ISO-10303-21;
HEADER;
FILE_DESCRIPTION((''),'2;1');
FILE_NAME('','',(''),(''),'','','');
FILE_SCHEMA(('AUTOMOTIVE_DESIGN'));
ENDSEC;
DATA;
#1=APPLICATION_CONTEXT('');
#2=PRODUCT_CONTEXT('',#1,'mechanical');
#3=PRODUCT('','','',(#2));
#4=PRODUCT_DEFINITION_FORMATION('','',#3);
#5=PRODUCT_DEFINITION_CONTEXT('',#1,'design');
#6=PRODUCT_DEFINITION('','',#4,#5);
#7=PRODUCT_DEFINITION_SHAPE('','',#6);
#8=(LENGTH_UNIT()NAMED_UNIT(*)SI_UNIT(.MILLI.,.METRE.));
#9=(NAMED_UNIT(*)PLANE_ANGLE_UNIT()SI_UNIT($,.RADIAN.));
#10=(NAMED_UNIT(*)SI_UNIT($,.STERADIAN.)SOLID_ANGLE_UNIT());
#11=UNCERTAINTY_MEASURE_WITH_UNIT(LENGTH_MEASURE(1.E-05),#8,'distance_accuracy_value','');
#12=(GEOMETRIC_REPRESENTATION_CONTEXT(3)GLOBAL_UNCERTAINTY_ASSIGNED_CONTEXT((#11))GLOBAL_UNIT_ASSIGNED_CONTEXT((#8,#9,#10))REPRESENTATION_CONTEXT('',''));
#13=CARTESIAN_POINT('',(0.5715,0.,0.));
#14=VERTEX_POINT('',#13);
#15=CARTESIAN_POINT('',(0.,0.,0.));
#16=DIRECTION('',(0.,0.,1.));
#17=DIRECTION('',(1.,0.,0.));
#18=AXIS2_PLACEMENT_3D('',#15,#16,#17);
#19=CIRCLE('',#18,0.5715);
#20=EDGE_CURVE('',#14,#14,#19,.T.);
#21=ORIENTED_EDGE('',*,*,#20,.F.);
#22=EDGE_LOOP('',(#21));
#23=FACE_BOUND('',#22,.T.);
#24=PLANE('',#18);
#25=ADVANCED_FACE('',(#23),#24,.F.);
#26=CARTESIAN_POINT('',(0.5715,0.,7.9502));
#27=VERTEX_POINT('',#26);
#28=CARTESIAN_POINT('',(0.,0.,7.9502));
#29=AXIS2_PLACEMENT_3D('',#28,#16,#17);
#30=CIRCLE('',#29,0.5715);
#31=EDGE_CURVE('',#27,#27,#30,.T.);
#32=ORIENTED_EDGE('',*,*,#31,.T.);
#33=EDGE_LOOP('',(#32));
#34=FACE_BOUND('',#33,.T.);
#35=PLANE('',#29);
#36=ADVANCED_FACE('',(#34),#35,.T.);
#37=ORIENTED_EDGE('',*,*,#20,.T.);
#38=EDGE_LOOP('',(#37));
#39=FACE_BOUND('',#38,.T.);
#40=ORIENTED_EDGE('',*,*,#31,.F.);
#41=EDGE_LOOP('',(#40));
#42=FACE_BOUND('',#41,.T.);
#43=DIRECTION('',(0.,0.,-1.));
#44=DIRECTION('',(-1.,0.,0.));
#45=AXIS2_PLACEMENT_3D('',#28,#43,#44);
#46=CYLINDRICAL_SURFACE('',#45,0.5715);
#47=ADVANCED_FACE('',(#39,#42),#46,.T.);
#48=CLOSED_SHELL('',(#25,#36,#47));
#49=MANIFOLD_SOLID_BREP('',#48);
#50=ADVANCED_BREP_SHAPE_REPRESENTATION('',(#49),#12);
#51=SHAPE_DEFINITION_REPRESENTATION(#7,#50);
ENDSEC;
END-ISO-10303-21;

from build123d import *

# Parameters (mm, degrees)
SKETCH1_R           = 0.5715
BOSS_EXTRUDE1_DEPTH = 7.9502


with BuildPart() as part:
    # Sketch1 → Boss-Extrude1 (new body)
    with BuildSketch(Plane.XY):
        Circle(SKETCH1_R)
    extrude(amount=BOSS_EXTRUDE1_DEPTH)


solid = part.part
